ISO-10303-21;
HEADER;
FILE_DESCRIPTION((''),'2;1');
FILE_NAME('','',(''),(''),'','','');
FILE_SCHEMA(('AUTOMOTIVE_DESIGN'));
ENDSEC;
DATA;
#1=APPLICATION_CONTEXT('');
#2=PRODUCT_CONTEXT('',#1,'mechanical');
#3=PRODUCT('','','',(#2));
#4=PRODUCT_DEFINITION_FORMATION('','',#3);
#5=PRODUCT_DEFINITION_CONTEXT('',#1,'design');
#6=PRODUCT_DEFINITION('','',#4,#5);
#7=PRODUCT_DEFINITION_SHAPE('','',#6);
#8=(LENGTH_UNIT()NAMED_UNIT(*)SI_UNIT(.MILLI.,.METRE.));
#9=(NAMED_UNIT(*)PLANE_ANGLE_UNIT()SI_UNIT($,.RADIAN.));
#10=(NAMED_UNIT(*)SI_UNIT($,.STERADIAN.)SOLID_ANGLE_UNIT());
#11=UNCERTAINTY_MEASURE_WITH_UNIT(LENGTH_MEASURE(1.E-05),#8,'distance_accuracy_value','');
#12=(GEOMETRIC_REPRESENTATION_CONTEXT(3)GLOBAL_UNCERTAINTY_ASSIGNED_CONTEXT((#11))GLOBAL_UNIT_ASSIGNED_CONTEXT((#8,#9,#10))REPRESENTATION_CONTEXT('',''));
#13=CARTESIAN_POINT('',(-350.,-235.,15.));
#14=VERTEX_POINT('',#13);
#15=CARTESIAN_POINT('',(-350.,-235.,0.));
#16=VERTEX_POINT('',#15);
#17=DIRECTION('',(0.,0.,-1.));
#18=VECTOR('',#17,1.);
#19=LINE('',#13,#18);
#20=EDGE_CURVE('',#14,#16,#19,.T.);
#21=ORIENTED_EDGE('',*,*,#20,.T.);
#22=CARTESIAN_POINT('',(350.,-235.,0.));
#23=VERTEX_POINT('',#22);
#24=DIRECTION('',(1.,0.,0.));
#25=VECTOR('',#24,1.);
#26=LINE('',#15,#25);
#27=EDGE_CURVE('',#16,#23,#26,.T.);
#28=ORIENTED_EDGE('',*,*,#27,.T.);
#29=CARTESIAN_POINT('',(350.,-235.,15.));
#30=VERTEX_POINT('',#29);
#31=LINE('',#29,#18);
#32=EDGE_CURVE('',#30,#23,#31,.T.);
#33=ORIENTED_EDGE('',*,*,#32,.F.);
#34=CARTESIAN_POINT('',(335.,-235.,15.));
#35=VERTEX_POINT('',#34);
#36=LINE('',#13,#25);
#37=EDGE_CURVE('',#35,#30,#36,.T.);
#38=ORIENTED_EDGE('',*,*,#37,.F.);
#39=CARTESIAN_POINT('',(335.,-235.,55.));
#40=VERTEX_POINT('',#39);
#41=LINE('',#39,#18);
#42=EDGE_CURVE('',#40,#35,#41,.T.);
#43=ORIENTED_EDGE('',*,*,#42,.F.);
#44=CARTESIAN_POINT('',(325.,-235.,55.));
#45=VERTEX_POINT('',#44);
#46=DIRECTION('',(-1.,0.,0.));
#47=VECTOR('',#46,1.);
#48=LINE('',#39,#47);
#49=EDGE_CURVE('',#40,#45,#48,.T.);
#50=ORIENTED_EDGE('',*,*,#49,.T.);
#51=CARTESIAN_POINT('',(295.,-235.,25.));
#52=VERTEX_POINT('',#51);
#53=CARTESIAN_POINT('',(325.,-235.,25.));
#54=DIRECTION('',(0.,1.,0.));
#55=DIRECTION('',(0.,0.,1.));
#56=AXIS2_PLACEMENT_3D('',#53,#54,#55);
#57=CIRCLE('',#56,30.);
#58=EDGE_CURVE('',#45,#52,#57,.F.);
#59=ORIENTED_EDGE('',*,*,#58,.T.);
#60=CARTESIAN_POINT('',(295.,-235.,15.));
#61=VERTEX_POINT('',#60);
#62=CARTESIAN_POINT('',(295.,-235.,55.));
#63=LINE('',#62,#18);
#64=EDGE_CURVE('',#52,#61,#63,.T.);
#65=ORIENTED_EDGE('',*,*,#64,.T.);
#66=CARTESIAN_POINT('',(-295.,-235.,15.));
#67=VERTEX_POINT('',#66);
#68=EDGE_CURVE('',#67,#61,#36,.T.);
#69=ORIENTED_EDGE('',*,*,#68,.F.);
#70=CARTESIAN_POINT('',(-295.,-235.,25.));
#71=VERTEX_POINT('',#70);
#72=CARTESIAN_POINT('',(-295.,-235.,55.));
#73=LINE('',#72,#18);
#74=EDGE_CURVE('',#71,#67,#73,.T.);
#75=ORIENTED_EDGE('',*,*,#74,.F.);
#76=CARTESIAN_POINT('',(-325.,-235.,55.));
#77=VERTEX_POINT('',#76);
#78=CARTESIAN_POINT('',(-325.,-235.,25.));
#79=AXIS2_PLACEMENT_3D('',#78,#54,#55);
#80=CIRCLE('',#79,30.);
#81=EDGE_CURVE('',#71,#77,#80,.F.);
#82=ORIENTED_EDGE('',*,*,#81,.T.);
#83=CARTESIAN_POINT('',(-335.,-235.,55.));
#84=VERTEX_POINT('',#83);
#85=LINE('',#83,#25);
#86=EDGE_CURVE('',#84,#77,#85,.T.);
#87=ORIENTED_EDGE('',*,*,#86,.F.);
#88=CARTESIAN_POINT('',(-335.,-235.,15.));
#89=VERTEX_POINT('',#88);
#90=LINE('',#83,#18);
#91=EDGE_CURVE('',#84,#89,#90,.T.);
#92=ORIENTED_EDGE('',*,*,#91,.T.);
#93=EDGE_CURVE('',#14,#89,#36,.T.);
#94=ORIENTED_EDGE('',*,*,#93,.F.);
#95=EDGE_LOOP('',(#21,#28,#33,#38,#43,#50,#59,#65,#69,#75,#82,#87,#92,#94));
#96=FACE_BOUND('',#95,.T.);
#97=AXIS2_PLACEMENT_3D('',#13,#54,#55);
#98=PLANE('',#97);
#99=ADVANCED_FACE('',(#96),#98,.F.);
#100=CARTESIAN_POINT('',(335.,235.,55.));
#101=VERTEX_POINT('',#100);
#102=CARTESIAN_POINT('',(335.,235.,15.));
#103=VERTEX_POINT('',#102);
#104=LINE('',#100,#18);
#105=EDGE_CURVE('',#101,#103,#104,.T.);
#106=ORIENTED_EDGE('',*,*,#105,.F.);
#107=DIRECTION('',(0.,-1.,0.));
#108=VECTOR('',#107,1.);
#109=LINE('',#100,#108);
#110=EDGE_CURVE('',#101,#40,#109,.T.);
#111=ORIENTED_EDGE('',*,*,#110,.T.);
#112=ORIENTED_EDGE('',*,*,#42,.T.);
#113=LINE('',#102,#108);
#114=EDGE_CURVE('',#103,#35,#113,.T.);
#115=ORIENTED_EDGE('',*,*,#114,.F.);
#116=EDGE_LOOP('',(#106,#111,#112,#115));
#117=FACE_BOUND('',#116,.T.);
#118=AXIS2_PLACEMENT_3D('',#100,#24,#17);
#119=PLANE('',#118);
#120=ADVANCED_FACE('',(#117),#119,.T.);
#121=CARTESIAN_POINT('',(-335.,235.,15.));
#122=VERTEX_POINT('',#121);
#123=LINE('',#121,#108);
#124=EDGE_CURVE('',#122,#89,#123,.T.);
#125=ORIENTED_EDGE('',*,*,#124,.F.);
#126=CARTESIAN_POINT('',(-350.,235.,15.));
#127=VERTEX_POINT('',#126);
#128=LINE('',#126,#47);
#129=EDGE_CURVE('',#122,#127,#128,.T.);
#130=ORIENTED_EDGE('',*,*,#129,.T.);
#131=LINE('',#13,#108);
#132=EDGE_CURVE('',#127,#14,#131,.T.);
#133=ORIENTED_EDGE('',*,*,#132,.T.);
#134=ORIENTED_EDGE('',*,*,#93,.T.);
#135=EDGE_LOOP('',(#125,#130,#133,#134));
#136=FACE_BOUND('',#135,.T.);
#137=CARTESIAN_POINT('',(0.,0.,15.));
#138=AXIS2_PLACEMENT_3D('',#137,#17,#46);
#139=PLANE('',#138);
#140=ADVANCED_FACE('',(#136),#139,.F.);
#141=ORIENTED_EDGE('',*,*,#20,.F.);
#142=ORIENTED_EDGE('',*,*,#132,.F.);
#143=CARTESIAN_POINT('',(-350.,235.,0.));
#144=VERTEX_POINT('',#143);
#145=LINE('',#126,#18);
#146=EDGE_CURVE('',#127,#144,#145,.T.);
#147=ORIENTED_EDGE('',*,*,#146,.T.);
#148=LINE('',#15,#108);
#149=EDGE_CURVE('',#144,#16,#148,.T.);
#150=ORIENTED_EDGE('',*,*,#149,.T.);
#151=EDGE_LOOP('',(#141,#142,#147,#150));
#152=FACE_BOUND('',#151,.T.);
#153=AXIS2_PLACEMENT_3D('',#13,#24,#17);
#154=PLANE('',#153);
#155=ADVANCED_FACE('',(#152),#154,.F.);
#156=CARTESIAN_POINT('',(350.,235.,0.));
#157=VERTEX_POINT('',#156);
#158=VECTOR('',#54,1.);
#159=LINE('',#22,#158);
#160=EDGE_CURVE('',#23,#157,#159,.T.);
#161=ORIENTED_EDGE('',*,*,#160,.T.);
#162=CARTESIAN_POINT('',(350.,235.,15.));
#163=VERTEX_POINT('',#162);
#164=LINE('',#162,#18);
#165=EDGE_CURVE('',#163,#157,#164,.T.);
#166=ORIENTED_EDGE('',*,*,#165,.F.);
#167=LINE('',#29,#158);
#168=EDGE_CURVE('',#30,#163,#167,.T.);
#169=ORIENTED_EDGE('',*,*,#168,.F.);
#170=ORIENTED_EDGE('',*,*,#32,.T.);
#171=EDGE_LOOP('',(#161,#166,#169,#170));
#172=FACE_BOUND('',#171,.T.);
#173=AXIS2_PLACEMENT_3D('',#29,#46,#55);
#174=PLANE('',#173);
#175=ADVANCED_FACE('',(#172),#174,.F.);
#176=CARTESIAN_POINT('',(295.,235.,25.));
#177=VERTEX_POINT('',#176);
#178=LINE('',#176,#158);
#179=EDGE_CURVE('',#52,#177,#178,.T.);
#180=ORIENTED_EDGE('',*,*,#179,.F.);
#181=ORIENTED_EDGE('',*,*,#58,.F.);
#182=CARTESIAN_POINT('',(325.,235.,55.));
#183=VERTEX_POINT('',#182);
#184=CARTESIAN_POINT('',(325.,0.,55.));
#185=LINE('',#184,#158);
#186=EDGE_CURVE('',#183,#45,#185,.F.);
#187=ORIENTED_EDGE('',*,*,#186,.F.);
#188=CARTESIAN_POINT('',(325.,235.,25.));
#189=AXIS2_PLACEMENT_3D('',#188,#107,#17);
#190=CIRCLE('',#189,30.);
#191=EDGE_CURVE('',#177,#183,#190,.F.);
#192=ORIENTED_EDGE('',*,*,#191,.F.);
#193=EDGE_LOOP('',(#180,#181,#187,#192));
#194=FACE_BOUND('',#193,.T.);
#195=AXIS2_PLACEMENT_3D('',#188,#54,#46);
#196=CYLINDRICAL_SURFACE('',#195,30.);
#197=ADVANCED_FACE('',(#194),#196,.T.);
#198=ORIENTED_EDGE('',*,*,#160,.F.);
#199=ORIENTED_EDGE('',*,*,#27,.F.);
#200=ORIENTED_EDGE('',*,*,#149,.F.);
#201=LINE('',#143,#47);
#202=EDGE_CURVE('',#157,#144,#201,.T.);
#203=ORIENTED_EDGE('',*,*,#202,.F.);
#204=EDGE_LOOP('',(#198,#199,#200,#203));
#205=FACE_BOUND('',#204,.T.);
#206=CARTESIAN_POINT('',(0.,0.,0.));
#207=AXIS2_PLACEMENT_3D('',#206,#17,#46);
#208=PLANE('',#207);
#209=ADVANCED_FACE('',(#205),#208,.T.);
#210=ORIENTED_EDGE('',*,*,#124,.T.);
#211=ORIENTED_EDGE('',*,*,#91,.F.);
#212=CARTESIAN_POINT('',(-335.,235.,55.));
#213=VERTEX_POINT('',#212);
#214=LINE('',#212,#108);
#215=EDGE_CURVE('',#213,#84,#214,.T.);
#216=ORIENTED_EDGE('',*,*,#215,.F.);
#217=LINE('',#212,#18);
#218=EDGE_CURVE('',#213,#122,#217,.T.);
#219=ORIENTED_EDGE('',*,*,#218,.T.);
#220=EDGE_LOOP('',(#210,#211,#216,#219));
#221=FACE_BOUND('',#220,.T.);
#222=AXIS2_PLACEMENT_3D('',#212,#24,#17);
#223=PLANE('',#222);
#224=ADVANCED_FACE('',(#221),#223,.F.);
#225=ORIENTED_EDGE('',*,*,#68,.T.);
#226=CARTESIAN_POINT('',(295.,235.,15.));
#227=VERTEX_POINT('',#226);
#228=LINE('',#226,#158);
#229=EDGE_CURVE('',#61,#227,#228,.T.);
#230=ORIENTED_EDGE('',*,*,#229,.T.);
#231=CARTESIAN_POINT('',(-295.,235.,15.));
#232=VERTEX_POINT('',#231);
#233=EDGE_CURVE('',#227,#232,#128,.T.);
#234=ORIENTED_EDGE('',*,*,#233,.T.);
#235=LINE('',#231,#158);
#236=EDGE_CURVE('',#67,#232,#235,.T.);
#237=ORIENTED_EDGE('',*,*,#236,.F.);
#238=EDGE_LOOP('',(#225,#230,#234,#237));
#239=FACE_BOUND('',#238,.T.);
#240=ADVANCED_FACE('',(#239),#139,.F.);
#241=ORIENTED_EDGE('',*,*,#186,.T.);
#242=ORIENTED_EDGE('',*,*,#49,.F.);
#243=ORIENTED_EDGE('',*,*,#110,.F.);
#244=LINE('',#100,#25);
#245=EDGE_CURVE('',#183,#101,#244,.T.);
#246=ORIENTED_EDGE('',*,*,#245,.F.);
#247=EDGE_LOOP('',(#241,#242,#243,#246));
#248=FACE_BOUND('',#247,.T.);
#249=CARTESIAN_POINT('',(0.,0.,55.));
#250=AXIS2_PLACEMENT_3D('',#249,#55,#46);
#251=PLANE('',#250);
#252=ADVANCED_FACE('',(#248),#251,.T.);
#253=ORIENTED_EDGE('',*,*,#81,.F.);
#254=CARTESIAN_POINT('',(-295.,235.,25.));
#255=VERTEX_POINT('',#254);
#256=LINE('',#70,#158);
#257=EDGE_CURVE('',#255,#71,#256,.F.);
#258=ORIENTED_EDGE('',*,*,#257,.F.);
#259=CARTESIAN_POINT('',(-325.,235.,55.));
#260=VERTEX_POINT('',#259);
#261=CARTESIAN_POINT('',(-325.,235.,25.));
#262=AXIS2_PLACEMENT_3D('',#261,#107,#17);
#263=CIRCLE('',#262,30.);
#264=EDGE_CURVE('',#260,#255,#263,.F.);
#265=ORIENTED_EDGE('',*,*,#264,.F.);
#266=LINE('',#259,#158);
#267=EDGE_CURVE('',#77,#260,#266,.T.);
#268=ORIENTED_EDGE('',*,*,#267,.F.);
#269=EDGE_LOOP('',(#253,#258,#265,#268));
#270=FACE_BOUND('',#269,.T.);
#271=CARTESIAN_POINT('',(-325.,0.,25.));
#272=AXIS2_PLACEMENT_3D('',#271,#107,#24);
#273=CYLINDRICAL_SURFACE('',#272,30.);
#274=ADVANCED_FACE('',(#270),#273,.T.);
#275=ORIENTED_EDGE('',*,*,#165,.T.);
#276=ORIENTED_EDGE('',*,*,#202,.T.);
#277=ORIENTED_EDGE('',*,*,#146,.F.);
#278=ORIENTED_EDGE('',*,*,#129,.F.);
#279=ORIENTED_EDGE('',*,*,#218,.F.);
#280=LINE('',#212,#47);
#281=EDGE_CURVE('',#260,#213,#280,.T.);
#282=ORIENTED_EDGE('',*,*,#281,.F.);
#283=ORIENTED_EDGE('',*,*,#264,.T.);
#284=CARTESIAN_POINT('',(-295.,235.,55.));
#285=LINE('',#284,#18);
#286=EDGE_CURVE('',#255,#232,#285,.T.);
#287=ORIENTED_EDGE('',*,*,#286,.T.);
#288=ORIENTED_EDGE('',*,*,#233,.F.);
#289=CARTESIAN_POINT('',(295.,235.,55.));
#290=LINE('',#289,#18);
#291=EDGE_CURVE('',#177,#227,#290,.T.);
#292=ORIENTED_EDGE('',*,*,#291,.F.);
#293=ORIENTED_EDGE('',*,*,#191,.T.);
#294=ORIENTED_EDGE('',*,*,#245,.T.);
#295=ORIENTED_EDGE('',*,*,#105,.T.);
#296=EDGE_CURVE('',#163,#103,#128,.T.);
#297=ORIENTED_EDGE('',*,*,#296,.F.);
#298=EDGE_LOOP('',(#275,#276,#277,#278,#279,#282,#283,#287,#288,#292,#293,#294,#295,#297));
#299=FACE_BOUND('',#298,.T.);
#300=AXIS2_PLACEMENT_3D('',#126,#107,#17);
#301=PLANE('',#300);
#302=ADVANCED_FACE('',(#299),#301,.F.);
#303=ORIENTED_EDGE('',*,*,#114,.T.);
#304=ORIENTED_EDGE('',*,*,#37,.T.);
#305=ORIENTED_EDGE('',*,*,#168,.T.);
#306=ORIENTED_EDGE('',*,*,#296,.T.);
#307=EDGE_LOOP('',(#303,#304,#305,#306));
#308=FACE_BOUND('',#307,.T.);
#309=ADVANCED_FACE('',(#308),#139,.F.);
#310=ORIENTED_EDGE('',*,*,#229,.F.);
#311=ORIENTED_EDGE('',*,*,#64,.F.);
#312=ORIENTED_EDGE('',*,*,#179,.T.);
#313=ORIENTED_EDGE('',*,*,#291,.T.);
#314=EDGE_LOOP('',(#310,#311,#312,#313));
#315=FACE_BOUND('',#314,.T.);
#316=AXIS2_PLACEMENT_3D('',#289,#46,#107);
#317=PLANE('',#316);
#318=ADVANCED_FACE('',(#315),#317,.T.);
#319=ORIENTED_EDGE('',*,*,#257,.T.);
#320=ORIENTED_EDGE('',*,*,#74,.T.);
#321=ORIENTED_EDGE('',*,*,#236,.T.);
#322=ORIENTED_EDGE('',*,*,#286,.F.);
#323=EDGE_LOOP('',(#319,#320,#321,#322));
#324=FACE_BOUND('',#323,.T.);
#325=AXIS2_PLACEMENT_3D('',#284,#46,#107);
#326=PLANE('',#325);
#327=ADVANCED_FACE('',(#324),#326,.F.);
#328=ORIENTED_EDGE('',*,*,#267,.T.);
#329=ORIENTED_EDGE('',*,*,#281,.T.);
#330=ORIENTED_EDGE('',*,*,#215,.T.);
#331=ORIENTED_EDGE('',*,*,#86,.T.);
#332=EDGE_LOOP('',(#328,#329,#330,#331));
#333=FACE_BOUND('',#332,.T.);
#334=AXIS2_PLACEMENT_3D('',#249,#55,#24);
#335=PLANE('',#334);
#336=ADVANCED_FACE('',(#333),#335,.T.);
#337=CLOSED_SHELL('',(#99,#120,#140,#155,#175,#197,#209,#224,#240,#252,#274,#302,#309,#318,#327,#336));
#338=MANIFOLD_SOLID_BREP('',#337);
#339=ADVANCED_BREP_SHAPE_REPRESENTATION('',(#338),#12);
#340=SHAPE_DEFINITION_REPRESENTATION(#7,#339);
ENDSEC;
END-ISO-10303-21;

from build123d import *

# Parameters (mm, degrees)
SCHIZZO1_W                   = 700
SCHIZZO1_H                   = 470
ESTRUSIONE_ESTRUSIONE1_DEPTH = 15
SCHIZZO2_W                   = 40
SCHIZZO2_H                   = 470
ESTRUSIONE_ESTRUSIONE2_DEPTH = 40
RACCORDO1_R                  = 30
RACCORDO1_OF_SPECCHIA1_R     = 30


with BuildPart() as part:
    # Schizzo1 → Estrusione-Estrusione1 (new body)
    with BuildSketch(Plane.XY):
        Rectangle(SCHIZZO1_W, SCHIZZO1_H)
    extrude(amount=ESTRUSIONE_ESTRUSIONE1_DEPTH)

    # Schizzo2 → Estrusione-Estrusione2 (add)
    with BuildSketch(Plane.XY.offset(15)):
        with Locations((-315, 0)):
            Rectangle(SCHIZZO2_W, SCHIZZO2_H)
    estrusione_estrusione2 = extrude(amount=ESTRUSIONE_ESTRUSIONE2_DEPTH)

    # Raccordo1
    raccordo1_edges = [part.edges().sort_by_distance(p)[0] for p in [
        (-295, 0, 55),
    ]]
    fillet(raccordo1_edges, radius=RACCORDO1_R)

    # Specchia1: Estrusione-Estrusione2 across plane
    add(estrusione_estrusione2.mirror(Plane(origin=(0, 0, 0), x_dir=(0, 0, 1), z_dir=(1, 0, 0))))

    # Raccordo1 of Specchia1
    raccordo1_of_specchia1_edges = [part.edges().sort_by_distance(p)[0] for p in [
        (295, 0, 55),
    ]]
    fillet(raccordo1_of_specchia1_edges, radius=RACCORDO1_OF_SPECCHIA1_R)


solid = part.part
